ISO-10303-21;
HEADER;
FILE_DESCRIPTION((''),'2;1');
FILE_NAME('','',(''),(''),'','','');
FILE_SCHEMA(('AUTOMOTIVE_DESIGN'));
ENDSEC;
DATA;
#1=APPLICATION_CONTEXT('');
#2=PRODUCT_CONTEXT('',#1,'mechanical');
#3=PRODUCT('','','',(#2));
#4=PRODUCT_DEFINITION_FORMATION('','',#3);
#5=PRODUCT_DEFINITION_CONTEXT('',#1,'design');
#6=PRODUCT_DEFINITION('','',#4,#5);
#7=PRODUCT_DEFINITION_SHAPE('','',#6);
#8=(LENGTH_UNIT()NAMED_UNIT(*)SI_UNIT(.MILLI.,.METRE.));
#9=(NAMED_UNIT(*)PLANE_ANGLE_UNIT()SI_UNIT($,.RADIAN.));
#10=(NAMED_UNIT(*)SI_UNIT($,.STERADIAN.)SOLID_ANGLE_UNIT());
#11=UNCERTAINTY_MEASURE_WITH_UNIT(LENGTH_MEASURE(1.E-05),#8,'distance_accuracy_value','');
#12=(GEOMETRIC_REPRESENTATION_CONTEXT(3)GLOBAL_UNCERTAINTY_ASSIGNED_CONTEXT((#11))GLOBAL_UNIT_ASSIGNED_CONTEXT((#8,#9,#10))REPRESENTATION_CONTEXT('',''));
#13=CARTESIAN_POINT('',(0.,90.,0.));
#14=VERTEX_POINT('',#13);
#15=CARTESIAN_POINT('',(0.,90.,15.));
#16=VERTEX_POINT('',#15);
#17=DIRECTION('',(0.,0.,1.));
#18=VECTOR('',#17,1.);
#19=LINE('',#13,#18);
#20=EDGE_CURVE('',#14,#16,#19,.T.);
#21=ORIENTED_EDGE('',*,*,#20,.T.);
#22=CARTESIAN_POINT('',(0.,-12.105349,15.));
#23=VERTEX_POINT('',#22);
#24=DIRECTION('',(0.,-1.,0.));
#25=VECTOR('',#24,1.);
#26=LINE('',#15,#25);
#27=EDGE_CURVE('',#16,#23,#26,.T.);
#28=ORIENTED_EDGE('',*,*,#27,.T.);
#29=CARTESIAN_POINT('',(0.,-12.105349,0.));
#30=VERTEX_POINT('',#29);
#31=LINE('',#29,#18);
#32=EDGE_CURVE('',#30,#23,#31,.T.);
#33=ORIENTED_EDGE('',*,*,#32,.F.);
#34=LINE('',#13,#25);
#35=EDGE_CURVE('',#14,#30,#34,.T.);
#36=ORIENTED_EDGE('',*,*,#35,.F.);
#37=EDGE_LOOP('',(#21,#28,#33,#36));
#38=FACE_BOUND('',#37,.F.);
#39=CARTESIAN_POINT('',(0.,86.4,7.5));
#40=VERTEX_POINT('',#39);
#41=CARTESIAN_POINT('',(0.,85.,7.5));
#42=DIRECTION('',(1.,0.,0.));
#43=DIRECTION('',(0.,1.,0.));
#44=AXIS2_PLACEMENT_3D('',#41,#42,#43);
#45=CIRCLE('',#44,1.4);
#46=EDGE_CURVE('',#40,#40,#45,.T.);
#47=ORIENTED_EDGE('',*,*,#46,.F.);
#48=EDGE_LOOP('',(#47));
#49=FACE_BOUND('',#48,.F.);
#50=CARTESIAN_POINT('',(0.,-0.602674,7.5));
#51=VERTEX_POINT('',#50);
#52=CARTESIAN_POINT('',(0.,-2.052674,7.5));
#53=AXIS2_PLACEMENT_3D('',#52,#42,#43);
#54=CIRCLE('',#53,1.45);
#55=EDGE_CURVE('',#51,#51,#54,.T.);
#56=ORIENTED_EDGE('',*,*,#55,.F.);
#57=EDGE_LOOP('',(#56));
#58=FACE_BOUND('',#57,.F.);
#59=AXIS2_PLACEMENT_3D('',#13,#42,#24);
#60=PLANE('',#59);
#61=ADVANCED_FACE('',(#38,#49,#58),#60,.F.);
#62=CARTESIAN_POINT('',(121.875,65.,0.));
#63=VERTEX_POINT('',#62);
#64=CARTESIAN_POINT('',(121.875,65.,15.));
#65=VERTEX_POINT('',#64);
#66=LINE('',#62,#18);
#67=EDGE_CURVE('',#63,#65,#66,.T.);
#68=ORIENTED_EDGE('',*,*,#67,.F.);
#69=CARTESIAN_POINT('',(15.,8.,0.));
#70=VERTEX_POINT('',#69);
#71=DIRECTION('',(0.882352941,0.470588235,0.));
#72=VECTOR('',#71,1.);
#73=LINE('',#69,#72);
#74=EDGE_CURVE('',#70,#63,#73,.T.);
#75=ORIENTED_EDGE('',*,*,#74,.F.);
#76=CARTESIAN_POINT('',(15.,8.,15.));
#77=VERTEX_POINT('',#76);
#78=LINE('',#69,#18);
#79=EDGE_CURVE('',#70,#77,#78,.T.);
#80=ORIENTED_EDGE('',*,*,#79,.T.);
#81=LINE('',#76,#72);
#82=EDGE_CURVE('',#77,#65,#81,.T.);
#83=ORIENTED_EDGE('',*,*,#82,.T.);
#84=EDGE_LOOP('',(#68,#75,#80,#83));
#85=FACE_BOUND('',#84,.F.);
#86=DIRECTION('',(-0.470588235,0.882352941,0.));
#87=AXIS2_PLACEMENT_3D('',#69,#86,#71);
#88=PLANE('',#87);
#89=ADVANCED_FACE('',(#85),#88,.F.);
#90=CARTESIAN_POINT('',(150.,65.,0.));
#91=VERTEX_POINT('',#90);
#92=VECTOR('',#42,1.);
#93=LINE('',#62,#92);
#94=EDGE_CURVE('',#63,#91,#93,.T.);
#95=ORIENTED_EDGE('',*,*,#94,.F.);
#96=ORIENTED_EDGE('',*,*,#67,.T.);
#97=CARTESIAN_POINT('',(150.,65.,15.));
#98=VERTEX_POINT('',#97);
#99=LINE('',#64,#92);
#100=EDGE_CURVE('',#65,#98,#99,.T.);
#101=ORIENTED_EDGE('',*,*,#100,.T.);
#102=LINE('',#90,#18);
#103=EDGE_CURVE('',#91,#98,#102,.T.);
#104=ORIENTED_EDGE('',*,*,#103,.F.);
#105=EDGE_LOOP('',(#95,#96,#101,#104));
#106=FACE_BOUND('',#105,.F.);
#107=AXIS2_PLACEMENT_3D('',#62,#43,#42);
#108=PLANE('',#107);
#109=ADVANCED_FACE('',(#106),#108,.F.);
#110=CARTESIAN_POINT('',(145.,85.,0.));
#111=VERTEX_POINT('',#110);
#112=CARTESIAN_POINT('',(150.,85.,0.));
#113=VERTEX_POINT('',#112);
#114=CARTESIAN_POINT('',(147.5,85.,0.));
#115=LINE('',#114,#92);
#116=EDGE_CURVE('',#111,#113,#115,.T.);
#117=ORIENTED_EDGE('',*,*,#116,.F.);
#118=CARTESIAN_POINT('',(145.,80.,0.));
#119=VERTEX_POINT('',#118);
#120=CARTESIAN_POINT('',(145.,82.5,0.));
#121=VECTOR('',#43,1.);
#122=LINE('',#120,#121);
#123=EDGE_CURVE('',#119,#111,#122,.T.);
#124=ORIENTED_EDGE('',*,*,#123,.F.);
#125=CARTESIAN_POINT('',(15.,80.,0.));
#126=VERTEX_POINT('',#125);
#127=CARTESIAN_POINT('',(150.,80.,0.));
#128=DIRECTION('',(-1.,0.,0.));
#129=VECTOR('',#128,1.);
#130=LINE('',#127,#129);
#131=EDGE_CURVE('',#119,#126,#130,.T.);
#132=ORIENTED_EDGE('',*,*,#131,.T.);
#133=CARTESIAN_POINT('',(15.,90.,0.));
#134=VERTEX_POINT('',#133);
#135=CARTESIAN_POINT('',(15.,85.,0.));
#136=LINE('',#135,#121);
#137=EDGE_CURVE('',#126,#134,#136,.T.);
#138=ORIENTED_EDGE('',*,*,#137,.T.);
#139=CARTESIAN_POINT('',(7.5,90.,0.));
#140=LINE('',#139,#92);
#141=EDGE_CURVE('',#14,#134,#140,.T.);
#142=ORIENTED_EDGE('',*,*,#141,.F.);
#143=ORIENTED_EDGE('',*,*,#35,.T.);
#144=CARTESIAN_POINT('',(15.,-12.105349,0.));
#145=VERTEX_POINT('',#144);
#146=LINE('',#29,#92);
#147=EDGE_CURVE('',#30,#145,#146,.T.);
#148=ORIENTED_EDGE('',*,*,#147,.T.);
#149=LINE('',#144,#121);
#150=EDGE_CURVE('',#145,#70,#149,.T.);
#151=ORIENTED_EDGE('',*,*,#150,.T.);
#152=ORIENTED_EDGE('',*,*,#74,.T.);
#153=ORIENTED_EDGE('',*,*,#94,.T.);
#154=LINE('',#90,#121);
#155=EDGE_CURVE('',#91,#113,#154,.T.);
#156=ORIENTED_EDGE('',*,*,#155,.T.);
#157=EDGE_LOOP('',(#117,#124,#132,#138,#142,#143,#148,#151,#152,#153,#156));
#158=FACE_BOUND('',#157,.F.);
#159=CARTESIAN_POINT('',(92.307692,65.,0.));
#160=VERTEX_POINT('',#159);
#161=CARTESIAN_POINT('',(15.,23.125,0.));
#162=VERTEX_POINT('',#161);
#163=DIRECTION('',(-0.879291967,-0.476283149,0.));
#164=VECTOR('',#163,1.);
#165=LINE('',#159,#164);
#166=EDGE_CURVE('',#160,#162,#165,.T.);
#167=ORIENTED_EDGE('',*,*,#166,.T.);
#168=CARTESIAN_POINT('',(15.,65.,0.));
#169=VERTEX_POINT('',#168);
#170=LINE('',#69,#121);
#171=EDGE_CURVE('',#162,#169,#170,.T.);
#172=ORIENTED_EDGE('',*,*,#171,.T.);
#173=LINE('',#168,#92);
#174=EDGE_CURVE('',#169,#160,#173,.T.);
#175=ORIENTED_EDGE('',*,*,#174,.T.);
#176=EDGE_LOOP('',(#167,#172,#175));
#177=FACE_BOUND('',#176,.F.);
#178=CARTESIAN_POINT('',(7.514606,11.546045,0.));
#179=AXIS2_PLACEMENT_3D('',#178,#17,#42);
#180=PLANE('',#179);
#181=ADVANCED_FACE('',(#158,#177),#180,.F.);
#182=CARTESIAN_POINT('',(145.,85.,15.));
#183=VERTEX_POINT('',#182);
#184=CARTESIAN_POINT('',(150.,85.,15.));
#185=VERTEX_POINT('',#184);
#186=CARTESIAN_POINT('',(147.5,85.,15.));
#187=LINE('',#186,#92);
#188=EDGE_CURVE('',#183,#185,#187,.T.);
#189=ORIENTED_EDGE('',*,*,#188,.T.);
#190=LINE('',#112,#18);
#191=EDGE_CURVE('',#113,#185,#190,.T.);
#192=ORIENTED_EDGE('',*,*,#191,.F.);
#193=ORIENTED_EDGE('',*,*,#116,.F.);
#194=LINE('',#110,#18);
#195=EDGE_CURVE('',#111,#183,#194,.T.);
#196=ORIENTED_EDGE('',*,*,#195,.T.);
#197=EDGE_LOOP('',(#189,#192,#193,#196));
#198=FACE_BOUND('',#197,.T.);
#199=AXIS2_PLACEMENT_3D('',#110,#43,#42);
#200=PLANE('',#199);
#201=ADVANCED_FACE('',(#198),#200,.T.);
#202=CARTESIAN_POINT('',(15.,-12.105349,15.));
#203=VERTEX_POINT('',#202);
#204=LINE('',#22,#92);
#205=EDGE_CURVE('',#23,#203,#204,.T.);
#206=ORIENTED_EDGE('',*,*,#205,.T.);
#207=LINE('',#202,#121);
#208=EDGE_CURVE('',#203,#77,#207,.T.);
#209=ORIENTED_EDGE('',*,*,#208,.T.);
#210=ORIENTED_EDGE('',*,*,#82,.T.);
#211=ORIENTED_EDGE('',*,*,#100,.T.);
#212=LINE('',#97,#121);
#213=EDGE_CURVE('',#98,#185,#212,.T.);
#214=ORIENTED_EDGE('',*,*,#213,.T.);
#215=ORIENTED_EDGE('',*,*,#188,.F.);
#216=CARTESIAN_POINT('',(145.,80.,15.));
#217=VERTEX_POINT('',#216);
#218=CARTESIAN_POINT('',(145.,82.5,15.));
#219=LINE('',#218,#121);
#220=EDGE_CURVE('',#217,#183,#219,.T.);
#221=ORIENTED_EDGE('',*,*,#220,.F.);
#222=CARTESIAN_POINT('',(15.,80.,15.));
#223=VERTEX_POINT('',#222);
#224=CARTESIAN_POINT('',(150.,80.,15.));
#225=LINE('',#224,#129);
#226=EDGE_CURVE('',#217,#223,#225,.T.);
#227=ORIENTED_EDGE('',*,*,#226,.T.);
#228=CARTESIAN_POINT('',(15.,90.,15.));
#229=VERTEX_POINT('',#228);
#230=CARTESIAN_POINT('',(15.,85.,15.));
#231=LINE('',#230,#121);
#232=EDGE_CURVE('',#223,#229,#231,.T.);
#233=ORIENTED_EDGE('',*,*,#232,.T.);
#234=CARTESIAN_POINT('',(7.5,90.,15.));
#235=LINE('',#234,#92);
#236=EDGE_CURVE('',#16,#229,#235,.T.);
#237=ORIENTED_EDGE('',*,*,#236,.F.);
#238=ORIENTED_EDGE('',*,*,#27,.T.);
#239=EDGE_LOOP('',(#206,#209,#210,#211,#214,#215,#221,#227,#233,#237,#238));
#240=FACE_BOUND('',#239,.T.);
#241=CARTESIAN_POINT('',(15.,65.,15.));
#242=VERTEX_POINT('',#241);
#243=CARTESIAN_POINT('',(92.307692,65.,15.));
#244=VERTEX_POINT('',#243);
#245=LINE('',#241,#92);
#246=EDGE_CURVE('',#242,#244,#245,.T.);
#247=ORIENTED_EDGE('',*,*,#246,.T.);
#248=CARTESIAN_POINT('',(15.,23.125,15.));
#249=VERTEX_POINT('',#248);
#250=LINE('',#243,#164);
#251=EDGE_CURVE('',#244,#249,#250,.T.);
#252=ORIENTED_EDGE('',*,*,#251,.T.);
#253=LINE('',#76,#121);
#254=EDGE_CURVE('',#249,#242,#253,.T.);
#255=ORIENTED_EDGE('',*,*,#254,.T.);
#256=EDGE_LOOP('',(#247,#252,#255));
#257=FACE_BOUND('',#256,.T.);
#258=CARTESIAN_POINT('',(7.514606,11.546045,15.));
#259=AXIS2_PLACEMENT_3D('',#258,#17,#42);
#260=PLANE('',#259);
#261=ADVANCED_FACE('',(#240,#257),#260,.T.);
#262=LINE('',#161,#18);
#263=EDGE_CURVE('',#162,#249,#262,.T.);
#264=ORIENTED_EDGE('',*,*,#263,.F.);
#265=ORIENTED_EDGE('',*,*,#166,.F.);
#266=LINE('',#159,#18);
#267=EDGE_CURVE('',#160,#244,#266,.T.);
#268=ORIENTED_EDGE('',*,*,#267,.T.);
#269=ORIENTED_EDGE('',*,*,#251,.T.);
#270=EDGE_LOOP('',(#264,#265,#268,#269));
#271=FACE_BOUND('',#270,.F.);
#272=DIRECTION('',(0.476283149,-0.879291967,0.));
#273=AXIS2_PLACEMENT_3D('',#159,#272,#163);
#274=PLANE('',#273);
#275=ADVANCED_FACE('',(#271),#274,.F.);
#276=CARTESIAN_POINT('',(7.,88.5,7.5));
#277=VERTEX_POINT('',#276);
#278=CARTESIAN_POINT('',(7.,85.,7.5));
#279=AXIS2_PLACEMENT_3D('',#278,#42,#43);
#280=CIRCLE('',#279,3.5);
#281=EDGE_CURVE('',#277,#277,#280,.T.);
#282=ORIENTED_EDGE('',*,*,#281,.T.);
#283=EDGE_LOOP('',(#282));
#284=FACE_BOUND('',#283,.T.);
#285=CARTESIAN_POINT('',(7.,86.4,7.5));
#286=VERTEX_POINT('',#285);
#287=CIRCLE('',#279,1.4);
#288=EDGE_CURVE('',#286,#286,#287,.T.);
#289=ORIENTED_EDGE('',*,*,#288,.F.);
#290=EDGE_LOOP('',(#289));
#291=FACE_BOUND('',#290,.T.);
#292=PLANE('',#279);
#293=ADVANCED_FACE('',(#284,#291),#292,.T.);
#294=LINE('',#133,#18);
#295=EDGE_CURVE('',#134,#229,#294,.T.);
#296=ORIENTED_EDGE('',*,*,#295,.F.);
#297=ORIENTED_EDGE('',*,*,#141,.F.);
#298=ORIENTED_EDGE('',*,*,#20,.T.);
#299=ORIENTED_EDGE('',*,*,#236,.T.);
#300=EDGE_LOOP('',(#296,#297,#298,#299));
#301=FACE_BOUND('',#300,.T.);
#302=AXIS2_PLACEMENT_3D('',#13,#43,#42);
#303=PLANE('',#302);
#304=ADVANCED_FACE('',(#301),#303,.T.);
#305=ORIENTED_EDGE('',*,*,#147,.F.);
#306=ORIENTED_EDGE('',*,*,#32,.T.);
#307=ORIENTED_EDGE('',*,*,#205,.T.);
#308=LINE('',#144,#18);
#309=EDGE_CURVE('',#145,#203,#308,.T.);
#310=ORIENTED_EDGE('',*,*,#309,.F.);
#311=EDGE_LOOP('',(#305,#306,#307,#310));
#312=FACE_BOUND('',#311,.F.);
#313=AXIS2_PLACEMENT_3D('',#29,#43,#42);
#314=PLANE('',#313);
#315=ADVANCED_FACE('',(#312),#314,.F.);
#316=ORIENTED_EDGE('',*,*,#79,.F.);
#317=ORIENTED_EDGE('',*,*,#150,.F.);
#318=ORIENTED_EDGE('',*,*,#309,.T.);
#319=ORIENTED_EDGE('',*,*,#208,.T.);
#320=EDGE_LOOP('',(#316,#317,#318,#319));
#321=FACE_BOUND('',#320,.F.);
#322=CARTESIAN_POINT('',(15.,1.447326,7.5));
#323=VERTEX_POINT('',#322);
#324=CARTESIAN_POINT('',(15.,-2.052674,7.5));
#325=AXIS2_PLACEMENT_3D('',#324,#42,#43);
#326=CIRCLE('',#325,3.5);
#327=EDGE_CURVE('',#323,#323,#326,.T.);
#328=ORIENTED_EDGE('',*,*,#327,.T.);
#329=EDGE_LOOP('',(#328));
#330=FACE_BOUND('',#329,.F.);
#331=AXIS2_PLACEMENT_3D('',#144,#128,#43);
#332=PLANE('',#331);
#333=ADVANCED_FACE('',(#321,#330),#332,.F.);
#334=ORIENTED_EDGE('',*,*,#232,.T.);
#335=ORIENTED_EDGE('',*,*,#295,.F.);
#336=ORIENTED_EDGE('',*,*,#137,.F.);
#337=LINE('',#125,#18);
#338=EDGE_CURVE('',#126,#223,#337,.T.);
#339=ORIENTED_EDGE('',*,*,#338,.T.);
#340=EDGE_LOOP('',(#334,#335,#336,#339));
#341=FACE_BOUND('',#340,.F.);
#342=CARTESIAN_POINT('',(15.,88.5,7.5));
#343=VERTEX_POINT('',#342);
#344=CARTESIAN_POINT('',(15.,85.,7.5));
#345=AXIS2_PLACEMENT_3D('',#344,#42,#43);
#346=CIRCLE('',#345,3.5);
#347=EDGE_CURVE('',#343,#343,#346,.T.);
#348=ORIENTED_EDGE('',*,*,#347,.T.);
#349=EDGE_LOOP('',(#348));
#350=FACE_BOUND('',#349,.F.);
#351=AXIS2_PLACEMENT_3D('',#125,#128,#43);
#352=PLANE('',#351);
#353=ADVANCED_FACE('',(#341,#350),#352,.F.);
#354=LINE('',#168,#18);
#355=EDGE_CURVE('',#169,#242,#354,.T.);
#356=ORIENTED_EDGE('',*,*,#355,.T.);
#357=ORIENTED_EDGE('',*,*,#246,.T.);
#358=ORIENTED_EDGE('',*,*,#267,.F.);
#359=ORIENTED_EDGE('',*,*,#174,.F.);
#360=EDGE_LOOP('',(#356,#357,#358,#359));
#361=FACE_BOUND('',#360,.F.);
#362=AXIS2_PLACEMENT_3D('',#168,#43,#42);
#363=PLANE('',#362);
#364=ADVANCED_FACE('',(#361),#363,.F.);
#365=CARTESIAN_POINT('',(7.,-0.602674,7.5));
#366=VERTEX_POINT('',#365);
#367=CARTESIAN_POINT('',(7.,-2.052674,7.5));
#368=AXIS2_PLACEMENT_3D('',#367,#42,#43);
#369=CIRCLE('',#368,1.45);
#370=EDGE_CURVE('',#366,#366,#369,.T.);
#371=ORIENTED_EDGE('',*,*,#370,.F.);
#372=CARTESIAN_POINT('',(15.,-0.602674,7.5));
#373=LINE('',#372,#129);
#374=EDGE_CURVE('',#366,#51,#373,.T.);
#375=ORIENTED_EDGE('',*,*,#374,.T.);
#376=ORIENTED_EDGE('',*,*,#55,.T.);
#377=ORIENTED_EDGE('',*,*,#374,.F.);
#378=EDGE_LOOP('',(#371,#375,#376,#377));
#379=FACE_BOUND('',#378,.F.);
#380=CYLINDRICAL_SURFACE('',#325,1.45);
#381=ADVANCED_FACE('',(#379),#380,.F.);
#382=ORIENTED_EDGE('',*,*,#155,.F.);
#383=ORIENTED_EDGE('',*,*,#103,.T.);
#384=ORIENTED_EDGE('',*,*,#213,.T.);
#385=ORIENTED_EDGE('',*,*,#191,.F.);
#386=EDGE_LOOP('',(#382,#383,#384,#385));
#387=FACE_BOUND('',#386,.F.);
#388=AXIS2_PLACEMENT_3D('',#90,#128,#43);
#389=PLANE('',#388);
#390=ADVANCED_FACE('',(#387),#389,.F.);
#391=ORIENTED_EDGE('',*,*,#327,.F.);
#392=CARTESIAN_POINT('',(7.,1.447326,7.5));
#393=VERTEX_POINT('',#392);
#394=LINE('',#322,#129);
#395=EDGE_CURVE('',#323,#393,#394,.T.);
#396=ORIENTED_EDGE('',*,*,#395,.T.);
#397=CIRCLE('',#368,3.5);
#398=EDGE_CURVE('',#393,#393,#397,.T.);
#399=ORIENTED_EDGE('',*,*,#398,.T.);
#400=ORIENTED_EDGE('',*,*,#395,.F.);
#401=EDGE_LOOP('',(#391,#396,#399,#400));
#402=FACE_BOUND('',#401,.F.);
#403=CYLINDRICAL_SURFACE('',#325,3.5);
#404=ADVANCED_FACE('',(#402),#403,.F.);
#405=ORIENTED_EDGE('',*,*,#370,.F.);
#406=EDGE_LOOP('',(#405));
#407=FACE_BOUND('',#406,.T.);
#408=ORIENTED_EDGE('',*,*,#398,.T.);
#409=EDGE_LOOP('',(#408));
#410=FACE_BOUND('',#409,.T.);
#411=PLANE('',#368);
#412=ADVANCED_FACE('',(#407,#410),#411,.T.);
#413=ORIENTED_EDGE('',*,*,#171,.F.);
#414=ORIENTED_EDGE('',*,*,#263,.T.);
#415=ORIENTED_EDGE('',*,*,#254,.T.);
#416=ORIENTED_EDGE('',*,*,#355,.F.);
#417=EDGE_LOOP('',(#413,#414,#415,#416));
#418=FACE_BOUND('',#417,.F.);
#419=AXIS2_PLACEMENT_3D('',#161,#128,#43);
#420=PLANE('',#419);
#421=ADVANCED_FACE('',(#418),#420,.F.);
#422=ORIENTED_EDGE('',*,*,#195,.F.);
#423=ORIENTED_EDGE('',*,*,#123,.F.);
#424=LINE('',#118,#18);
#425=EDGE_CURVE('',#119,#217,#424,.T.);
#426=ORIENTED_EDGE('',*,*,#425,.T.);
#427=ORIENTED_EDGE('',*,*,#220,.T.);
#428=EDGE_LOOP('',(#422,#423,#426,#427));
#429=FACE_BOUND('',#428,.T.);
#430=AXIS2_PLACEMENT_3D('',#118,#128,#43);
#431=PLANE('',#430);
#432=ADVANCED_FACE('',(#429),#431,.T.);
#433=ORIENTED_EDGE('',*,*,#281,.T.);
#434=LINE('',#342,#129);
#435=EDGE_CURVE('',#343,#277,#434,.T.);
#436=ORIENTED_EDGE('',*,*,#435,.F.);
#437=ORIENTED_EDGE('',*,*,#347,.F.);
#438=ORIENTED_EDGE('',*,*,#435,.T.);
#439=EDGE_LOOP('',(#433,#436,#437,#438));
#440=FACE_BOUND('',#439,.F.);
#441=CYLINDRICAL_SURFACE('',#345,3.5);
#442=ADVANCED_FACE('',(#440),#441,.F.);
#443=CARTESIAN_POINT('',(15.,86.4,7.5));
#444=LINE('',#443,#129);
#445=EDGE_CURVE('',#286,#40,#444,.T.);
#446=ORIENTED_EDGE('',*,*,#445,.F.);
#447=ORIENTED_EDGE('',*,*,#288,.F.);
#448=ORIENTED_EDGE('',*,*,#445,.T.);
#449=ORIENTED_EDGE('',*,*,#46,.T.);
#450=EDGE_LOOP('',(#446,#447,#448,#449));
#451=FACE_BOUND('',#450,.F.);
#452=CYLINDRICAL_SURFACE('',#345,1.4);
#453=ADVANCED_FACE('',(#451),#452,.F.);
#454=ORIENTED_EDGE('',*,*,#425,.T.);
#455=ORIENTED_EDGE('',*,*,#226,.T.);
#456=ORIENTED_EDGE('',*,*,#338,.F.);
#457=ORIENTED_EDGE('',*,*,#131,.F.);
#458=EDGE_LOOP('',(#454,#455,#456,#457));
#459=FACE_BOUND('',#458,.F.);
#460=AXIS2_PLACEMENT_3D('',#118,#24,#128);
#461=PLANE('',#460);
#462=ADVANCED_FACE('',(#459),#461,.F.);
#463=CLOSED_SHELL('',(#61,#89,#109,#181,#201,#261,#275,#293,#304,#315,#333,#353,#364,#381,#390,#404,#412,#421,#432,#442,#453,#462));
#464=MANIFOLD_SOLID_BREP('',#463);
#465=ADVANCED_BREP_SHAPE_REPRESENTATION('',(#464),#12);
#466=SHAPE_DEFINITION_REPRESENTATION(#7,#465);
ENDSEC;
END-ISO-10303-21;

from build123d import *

# Parameters (mm, degrees)
F0_W     = 15
F0_H     = 15
F0_H_2   = 10
F0_W_2   = 5
F0_H_3   = 5
F1_DEPTH = 15
F2_R     = 1.4
F3_DEPTH = 25
F2_R_2   = 3.5
F4_DEPTH = 8
F5_R     = 3.5
F5_R_2   = 1.45
F6_DEPTH = 8
F7_DEPTH = 25


with BuildPart() as f1:
    # F0 (on Top) → F1 (new body)
    with BuildSketch(Plane.XY):
        Polygon((0, 15), (0, 0), (15, 8), (15, 23.125), align=None)
        Polygon((0, 65), (0, 15), (15, 23.125), (15, 65), align=None)
        Polygon((15, 23.125), (15, 8), (121.875, 65), (92.3076923077, 65), align=None)
        Polygon((15, 8), (0, 0), (0, -12.10534852), (15, -12.10534852), align=None)
        Polygon((15, 80), (15, 65), (92.3076923077, 65), (120, 80), align=None)
        with Locations((7.5, 72.5)):
            Rectangle(F0_W, F0_H)
        with Locations((7.5, 85)):
            Rectangle(F0_W, F0_H_2)
        Polygon((92.3076923077, 65), (121.875, 65), (150, 80), (145, 80), (120, 80), align=None)
        Polygon((150, 80), (121.875, 65), (150, 65), align=None)
        with Locations((147.5, 82.5)):
            Rectangle(F0_W_2, F0_H_3)
    extrude(amount=F1_DEPTH)

    # F2 (on face) → F3 (cut)
    with BuildSketch(Plane.YZ.offset(15)):
        with Locations((85, 7.5)):
            Circle(F2_R)
    extrude(amount=-F3_DEPTH, mode=Mode.SUBTRACT)

    # F2 (on face) → F4 (cut)
    with BuildSketch(Plane.YZ.offset(15)):
        with Locations((85, 7.5)):
            Circle(F2_R_2)
        with Locations((85, 7.5)):
            Circle(F2_R, mode=Mode.SUBTRACT)
    extrude(amount=-F4_DEPTH, mode=Mode.SUBTRACT)

    # F5 (on face) → F6 (cut)
    with BuildSketch(Plane.YZ.offset(15)):
        with Locations((-2.05267426, 7.5)):
            Circle(F5_R)
        with Locations((-2.05267426, 7.5)):
            Circle(F5_R_2, mode=Mode.SUBTRACT)
    extrude(amount=-F6_DEPTH, mode=Mode.SUBTRACT)

    # F7 (cut): a face of the model
    f7_faces = [f1.faces().sort_by_distance(p)[0] for p in [
        (15, -2.05267426, 7.5),
    ]]
    extrude(f7_faces, amount=-F7_DEPTH, mode=Mode.SUBTRACT)


solid = f1.part
